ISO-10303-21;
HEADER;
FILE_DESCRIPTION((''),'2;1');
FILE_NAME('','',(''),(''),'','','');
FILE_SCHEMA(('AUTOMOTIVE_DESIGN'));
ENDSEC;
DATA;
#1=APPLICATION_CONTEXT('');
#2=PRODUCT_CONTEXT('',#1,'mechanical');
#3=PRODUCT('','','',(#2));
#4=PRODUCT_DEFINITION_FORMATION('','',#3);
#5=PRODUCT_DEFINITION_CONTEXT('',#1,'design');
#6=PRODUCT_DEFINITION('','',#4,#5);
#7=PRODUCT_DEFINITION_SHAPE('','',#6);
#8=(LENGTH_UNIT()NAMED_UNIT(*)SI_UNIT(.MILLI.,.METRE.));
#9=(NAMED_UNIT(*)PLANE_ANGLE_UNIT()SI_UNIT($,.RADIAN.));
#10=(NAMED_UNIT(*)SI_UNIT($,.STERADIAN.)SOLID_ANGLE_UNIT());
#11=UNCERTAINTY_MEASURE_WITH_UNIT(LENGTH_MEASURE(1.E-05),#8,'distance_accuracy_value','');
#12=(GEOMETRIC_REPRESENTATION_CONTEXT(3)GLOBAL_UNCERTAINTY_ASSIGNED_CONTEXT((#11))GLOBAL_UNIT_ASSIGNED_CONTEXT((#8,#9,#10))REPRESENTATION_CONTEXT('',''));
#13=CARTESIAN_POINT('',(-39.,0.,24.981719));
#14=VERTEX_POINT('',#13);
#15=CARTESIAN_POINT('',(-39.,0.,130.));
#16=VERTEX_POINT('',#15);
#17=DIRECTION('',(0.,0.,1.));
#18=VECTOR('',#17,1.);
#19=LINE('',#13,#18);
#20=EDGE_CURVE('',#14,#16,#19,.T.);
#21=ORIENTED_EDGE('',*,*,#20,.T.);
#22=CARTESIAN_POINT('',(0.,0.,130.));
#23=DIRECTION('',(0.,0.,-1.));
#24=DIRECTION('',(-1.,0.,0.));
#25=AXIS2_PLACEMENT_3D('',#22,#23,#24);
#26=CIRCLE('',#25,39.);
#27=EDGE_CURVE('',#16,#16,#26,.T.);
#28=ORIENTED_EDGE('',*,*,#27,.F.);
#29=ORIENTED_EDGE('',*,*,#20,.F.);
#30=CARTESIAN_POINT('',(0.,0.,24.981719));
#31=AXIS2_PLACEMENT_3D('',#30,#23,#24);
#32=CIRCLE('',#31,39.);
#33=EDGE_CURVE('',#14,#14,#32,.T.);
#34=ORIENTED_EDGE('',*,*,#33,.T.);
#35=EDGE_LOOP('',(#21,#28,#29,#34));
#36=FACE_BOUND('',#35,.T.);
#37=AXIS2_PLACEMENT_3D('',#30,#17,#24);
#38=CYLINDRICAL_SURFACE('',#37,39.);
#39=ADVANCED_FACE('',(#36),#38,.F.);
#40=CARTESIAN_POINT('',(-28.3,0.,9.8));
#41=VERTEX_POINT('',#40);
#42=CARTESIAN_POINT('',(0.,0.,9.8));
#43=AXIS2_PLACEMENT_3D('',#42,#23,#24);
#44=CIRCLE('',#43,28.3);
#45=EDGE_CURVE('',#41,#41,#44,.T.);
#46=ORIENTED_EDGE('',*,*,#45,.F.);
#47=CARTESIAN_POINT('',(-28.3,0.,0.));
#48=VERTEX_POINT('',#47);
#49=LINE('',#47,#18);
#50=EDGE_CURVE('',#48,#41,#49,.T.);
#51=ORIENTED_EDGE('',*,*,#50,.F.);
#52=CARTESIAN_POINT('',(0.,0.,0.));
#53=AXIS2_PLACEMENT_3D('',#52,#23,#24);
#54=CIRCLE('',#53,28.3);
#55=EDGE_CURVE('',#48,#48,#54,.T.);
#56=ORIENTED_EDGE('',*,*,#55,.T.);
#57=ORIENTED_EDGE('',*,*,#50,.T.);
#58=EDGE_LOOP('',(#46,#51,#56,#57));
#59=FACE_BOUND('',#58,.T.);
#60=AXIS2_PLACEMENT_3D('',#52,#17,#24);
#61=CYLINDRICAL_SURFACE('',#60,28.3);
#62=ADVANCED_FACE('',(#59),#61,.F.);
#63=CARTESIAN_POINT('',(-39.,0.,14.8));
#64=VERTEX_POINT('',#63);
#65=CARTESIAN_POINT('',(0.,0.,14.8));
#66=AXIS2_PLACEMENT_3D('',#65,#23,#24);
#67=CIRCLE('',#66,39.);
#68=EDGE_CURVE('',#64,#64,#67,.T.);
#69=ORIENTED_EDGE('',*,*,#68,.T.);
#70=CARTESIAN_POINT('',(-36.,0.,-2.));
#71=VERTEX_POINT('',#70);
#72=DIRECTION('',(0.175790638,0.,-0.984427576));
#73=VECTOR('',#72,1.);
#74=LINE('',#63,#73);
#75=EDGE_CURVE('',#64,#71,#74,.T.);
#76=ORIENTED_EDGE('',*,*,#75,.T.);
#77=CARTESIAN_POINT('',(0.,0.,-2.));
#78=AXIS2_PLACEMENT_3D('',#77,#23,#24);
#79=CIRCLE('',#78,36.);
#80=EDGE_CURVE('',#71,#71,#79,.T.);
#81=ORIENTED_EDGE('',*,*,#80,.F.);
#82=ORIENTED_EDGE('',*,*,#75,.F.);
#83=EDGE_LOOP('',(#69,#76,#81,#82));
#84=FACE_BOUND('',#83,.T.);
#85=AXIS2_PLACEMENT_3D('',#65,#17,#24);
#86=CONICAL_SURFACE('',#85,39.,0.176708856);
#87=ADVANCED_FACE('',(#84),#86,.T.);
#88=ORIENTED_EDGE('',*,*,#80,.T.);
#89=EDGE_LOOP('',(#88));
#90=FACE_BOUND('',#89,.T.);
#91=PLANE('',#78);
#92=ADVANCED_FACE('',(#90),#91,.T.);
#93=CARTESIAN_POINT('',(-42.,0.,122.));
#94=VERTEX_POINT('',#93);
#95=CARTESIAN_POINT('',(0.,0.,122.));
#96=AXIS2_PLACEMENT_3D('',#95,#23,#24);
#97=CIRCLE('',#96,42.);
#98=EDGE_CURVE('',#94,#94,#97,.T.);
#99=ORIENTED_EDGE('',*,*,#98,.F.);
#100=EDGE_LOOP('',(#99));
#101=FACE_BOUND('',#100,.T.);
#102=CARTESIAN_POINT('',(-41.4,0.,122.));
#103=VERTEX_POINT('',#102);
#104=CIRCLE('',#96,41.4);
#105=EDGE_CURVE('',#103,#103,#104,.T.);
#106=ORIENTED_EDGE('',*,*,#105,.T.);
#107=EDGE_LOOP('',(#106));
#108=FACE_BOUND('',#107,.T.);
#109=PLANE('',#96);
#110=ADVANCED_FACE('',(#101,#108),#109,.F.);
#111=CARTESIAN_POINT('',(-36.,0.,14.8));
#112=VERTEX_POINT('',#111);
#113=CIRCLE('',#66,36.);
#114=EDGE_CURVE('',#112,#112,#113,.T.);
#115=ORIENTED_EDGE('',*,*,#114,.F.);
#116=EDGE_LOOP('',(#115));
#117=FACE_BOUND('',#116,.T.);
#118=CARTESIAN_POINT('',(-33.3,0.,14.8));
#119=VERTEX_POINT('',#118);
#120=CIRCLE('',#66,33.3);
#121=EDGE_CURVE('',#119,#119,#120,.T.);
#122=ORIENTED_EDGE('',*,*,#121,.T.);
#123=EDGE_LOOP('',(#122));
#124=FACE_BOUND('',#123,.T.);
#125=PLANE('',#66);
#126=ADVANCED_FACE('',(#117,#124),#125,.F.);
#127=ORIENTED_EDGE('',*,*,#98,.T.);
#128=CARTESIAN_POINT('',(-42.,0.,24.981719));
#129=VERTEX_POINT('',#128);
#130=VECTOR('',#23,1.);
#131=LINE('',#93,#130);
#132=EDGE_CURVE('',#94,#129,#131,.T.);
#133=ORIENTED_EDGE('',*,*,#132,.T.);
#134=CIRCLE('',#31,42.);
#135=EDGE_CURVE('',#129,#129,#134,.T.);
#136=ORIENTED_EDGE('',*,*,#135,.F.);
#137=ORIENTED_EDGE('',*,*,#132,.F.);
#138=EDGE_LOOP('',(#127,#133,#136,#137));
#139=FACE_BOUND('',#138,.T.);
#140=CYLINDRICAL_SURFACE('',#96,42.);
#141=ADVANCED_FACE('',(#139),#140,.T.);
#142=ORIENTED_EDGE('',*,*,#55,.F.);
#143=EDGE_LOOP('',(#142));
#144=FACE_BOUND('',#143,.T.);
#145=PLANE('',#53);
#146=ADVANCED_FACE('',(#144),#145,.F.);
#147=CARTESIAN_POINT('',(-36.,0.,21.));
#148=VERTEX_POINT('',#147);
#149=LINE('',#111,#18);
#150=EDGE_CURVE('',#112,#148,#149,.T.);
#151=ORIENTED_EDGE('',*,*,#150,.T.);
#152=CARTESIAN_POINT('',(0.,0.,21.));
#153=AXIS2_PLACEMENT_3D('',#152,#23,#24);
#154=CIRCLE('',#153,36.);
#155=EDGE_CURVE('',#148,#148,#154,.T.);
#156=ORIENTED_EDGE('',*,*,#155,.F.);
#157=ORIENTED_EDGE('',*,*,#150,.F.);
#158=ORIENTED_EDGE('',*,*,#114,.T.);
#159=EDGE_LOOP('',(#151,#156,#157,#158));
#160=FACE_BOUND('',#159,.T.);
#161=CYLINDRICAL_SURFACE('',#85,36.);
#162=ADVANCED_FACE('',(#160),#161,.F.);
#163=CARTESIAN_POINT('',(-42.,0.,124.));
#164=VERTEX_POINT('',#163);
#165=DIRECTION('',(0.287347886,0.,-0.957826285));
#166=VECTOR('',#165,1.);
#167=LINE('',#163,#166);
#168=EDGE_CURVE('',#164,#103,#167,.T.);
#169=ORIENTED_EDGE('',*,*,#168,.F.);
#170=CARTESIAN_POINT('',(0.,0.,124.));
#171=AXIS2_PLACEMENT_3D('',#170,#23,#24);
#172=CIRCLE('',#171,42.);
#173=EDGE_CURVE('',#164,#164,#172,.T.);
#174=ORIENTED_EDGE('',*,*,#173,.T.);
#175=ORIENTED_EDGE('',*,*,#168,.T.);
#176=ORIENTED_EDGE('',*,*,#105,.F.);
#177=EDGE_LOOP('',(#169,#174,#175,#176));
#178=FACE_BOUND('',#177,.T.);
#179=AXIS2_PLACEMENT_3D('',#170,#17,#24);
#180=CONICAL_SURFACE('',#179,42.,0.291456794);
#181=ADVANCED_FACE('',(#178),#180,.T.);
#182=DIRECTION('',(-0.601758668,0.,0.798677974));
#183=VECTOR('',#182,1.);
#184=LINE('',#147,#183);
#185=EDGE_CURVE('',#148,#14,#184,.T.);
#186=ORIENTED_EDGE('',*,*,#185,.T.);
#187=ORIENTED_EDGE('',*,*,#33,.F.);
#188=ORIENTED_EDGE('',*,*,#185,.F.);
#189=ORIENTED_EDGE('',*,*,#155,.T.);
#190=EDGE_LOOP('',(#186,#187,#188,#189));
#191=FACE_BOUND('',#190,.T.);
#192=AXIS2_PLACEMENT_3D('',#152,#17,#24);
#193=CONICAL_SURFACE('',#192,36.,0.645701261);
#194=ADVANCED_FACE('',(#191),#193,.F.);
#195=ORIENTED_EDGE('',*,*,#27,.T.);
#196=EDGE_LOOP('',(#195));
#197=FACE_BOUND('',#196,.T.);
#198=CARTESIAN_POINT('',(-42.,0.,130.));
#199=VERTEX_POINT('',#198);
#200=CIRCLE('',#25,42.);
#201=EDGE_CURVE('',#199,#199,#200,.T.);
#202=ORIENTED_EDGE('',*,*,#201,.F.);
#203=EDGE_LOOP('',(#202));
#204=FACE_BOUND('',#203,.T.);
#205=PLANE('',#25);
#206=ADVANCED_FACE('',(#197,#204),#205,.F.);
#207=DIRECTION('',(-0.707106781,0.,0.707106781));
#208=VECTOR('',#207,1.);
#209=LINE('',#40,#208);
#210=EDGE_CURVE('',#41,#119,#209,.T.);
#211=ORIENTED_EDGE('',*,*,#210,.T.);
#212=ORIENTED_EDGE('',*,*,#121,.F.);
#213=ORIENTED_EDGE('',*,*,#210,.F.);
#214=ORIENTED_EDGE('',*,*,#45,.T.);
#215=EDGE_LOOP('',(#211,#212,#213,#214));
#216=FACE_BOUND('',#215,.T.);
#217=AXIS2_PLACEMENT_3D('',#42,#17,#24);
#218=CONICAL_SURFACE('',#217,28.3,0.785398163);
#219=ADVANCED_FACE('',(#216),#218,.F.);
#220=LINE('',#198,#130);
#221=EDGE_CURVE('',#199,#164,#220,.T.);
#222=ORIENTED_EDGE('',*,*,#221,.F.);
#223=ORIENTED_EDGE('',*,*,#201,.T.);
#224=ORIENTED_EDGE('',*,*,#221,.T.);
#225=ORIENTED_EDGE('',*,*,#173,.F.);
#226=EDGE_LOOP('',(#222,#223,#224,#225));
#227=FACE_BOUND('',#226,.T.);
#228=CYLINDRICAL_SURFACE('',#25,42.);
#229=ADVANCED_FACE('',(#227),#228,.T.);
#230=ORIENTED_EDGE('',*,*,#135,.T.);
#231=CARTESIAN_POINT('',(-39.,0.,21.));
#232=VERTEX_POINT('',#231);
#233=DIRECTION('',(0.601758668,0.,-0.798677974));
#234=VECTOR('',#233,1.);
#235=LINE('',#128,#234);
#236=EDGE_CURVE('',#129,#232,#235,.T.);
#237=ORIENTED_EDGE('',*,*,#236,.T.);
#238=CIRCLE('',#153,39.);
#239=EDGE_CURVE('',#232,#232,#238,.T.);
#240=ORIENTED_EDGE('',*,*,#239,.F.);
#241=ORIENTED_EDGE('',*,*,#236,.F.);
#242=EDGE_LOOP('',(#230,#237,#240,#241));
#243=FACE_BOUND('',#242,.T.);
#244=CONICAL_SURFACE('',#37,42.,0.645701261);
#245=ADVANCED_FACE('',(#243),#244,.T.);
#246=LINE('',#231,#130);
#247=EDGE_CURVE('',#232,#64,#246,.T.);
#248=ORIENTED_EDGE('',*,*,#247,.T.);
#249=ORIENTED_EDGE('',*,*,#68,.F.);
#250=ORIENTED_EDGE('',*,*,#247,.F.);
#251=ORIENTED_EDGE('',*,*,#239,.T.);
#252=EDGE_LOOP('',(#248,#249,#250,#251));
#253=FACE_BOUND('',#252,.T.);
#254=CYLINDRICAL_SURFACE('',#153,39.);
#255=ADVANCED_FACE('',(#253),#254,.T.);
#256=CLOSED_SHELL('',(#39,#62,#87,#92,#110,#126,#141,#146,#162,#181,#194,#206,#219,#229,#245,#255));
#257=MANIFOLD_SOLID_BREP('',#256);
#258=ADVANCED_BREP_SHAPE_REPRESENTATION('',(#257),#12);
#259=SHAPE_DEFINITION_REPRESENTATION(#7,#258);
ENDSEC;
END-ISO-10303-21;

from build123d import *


with BuildPart() as f1:
    # F0 (on Front) → F1 (revolve)
    with BuildSketch(Plane.XZ):
        Polygon((0, -2), (0, 0), (-28.3, 0), (-28.3, 9.8), (-33.3, 14.8), (-36, 14.8), (-36, 21), (-39, 24.981719), (-39, 130), (-42, 130), (-42, 124), (-41.4, 122), (-42, 122), (-42, 24.981719), (-39, 21), (-39, 14.8), (-36, -2), (-28.3, -2), align=None)
    revolve(axis=Axis((0, 0, -1), (0, 0, -1)))


solid = f1.part
